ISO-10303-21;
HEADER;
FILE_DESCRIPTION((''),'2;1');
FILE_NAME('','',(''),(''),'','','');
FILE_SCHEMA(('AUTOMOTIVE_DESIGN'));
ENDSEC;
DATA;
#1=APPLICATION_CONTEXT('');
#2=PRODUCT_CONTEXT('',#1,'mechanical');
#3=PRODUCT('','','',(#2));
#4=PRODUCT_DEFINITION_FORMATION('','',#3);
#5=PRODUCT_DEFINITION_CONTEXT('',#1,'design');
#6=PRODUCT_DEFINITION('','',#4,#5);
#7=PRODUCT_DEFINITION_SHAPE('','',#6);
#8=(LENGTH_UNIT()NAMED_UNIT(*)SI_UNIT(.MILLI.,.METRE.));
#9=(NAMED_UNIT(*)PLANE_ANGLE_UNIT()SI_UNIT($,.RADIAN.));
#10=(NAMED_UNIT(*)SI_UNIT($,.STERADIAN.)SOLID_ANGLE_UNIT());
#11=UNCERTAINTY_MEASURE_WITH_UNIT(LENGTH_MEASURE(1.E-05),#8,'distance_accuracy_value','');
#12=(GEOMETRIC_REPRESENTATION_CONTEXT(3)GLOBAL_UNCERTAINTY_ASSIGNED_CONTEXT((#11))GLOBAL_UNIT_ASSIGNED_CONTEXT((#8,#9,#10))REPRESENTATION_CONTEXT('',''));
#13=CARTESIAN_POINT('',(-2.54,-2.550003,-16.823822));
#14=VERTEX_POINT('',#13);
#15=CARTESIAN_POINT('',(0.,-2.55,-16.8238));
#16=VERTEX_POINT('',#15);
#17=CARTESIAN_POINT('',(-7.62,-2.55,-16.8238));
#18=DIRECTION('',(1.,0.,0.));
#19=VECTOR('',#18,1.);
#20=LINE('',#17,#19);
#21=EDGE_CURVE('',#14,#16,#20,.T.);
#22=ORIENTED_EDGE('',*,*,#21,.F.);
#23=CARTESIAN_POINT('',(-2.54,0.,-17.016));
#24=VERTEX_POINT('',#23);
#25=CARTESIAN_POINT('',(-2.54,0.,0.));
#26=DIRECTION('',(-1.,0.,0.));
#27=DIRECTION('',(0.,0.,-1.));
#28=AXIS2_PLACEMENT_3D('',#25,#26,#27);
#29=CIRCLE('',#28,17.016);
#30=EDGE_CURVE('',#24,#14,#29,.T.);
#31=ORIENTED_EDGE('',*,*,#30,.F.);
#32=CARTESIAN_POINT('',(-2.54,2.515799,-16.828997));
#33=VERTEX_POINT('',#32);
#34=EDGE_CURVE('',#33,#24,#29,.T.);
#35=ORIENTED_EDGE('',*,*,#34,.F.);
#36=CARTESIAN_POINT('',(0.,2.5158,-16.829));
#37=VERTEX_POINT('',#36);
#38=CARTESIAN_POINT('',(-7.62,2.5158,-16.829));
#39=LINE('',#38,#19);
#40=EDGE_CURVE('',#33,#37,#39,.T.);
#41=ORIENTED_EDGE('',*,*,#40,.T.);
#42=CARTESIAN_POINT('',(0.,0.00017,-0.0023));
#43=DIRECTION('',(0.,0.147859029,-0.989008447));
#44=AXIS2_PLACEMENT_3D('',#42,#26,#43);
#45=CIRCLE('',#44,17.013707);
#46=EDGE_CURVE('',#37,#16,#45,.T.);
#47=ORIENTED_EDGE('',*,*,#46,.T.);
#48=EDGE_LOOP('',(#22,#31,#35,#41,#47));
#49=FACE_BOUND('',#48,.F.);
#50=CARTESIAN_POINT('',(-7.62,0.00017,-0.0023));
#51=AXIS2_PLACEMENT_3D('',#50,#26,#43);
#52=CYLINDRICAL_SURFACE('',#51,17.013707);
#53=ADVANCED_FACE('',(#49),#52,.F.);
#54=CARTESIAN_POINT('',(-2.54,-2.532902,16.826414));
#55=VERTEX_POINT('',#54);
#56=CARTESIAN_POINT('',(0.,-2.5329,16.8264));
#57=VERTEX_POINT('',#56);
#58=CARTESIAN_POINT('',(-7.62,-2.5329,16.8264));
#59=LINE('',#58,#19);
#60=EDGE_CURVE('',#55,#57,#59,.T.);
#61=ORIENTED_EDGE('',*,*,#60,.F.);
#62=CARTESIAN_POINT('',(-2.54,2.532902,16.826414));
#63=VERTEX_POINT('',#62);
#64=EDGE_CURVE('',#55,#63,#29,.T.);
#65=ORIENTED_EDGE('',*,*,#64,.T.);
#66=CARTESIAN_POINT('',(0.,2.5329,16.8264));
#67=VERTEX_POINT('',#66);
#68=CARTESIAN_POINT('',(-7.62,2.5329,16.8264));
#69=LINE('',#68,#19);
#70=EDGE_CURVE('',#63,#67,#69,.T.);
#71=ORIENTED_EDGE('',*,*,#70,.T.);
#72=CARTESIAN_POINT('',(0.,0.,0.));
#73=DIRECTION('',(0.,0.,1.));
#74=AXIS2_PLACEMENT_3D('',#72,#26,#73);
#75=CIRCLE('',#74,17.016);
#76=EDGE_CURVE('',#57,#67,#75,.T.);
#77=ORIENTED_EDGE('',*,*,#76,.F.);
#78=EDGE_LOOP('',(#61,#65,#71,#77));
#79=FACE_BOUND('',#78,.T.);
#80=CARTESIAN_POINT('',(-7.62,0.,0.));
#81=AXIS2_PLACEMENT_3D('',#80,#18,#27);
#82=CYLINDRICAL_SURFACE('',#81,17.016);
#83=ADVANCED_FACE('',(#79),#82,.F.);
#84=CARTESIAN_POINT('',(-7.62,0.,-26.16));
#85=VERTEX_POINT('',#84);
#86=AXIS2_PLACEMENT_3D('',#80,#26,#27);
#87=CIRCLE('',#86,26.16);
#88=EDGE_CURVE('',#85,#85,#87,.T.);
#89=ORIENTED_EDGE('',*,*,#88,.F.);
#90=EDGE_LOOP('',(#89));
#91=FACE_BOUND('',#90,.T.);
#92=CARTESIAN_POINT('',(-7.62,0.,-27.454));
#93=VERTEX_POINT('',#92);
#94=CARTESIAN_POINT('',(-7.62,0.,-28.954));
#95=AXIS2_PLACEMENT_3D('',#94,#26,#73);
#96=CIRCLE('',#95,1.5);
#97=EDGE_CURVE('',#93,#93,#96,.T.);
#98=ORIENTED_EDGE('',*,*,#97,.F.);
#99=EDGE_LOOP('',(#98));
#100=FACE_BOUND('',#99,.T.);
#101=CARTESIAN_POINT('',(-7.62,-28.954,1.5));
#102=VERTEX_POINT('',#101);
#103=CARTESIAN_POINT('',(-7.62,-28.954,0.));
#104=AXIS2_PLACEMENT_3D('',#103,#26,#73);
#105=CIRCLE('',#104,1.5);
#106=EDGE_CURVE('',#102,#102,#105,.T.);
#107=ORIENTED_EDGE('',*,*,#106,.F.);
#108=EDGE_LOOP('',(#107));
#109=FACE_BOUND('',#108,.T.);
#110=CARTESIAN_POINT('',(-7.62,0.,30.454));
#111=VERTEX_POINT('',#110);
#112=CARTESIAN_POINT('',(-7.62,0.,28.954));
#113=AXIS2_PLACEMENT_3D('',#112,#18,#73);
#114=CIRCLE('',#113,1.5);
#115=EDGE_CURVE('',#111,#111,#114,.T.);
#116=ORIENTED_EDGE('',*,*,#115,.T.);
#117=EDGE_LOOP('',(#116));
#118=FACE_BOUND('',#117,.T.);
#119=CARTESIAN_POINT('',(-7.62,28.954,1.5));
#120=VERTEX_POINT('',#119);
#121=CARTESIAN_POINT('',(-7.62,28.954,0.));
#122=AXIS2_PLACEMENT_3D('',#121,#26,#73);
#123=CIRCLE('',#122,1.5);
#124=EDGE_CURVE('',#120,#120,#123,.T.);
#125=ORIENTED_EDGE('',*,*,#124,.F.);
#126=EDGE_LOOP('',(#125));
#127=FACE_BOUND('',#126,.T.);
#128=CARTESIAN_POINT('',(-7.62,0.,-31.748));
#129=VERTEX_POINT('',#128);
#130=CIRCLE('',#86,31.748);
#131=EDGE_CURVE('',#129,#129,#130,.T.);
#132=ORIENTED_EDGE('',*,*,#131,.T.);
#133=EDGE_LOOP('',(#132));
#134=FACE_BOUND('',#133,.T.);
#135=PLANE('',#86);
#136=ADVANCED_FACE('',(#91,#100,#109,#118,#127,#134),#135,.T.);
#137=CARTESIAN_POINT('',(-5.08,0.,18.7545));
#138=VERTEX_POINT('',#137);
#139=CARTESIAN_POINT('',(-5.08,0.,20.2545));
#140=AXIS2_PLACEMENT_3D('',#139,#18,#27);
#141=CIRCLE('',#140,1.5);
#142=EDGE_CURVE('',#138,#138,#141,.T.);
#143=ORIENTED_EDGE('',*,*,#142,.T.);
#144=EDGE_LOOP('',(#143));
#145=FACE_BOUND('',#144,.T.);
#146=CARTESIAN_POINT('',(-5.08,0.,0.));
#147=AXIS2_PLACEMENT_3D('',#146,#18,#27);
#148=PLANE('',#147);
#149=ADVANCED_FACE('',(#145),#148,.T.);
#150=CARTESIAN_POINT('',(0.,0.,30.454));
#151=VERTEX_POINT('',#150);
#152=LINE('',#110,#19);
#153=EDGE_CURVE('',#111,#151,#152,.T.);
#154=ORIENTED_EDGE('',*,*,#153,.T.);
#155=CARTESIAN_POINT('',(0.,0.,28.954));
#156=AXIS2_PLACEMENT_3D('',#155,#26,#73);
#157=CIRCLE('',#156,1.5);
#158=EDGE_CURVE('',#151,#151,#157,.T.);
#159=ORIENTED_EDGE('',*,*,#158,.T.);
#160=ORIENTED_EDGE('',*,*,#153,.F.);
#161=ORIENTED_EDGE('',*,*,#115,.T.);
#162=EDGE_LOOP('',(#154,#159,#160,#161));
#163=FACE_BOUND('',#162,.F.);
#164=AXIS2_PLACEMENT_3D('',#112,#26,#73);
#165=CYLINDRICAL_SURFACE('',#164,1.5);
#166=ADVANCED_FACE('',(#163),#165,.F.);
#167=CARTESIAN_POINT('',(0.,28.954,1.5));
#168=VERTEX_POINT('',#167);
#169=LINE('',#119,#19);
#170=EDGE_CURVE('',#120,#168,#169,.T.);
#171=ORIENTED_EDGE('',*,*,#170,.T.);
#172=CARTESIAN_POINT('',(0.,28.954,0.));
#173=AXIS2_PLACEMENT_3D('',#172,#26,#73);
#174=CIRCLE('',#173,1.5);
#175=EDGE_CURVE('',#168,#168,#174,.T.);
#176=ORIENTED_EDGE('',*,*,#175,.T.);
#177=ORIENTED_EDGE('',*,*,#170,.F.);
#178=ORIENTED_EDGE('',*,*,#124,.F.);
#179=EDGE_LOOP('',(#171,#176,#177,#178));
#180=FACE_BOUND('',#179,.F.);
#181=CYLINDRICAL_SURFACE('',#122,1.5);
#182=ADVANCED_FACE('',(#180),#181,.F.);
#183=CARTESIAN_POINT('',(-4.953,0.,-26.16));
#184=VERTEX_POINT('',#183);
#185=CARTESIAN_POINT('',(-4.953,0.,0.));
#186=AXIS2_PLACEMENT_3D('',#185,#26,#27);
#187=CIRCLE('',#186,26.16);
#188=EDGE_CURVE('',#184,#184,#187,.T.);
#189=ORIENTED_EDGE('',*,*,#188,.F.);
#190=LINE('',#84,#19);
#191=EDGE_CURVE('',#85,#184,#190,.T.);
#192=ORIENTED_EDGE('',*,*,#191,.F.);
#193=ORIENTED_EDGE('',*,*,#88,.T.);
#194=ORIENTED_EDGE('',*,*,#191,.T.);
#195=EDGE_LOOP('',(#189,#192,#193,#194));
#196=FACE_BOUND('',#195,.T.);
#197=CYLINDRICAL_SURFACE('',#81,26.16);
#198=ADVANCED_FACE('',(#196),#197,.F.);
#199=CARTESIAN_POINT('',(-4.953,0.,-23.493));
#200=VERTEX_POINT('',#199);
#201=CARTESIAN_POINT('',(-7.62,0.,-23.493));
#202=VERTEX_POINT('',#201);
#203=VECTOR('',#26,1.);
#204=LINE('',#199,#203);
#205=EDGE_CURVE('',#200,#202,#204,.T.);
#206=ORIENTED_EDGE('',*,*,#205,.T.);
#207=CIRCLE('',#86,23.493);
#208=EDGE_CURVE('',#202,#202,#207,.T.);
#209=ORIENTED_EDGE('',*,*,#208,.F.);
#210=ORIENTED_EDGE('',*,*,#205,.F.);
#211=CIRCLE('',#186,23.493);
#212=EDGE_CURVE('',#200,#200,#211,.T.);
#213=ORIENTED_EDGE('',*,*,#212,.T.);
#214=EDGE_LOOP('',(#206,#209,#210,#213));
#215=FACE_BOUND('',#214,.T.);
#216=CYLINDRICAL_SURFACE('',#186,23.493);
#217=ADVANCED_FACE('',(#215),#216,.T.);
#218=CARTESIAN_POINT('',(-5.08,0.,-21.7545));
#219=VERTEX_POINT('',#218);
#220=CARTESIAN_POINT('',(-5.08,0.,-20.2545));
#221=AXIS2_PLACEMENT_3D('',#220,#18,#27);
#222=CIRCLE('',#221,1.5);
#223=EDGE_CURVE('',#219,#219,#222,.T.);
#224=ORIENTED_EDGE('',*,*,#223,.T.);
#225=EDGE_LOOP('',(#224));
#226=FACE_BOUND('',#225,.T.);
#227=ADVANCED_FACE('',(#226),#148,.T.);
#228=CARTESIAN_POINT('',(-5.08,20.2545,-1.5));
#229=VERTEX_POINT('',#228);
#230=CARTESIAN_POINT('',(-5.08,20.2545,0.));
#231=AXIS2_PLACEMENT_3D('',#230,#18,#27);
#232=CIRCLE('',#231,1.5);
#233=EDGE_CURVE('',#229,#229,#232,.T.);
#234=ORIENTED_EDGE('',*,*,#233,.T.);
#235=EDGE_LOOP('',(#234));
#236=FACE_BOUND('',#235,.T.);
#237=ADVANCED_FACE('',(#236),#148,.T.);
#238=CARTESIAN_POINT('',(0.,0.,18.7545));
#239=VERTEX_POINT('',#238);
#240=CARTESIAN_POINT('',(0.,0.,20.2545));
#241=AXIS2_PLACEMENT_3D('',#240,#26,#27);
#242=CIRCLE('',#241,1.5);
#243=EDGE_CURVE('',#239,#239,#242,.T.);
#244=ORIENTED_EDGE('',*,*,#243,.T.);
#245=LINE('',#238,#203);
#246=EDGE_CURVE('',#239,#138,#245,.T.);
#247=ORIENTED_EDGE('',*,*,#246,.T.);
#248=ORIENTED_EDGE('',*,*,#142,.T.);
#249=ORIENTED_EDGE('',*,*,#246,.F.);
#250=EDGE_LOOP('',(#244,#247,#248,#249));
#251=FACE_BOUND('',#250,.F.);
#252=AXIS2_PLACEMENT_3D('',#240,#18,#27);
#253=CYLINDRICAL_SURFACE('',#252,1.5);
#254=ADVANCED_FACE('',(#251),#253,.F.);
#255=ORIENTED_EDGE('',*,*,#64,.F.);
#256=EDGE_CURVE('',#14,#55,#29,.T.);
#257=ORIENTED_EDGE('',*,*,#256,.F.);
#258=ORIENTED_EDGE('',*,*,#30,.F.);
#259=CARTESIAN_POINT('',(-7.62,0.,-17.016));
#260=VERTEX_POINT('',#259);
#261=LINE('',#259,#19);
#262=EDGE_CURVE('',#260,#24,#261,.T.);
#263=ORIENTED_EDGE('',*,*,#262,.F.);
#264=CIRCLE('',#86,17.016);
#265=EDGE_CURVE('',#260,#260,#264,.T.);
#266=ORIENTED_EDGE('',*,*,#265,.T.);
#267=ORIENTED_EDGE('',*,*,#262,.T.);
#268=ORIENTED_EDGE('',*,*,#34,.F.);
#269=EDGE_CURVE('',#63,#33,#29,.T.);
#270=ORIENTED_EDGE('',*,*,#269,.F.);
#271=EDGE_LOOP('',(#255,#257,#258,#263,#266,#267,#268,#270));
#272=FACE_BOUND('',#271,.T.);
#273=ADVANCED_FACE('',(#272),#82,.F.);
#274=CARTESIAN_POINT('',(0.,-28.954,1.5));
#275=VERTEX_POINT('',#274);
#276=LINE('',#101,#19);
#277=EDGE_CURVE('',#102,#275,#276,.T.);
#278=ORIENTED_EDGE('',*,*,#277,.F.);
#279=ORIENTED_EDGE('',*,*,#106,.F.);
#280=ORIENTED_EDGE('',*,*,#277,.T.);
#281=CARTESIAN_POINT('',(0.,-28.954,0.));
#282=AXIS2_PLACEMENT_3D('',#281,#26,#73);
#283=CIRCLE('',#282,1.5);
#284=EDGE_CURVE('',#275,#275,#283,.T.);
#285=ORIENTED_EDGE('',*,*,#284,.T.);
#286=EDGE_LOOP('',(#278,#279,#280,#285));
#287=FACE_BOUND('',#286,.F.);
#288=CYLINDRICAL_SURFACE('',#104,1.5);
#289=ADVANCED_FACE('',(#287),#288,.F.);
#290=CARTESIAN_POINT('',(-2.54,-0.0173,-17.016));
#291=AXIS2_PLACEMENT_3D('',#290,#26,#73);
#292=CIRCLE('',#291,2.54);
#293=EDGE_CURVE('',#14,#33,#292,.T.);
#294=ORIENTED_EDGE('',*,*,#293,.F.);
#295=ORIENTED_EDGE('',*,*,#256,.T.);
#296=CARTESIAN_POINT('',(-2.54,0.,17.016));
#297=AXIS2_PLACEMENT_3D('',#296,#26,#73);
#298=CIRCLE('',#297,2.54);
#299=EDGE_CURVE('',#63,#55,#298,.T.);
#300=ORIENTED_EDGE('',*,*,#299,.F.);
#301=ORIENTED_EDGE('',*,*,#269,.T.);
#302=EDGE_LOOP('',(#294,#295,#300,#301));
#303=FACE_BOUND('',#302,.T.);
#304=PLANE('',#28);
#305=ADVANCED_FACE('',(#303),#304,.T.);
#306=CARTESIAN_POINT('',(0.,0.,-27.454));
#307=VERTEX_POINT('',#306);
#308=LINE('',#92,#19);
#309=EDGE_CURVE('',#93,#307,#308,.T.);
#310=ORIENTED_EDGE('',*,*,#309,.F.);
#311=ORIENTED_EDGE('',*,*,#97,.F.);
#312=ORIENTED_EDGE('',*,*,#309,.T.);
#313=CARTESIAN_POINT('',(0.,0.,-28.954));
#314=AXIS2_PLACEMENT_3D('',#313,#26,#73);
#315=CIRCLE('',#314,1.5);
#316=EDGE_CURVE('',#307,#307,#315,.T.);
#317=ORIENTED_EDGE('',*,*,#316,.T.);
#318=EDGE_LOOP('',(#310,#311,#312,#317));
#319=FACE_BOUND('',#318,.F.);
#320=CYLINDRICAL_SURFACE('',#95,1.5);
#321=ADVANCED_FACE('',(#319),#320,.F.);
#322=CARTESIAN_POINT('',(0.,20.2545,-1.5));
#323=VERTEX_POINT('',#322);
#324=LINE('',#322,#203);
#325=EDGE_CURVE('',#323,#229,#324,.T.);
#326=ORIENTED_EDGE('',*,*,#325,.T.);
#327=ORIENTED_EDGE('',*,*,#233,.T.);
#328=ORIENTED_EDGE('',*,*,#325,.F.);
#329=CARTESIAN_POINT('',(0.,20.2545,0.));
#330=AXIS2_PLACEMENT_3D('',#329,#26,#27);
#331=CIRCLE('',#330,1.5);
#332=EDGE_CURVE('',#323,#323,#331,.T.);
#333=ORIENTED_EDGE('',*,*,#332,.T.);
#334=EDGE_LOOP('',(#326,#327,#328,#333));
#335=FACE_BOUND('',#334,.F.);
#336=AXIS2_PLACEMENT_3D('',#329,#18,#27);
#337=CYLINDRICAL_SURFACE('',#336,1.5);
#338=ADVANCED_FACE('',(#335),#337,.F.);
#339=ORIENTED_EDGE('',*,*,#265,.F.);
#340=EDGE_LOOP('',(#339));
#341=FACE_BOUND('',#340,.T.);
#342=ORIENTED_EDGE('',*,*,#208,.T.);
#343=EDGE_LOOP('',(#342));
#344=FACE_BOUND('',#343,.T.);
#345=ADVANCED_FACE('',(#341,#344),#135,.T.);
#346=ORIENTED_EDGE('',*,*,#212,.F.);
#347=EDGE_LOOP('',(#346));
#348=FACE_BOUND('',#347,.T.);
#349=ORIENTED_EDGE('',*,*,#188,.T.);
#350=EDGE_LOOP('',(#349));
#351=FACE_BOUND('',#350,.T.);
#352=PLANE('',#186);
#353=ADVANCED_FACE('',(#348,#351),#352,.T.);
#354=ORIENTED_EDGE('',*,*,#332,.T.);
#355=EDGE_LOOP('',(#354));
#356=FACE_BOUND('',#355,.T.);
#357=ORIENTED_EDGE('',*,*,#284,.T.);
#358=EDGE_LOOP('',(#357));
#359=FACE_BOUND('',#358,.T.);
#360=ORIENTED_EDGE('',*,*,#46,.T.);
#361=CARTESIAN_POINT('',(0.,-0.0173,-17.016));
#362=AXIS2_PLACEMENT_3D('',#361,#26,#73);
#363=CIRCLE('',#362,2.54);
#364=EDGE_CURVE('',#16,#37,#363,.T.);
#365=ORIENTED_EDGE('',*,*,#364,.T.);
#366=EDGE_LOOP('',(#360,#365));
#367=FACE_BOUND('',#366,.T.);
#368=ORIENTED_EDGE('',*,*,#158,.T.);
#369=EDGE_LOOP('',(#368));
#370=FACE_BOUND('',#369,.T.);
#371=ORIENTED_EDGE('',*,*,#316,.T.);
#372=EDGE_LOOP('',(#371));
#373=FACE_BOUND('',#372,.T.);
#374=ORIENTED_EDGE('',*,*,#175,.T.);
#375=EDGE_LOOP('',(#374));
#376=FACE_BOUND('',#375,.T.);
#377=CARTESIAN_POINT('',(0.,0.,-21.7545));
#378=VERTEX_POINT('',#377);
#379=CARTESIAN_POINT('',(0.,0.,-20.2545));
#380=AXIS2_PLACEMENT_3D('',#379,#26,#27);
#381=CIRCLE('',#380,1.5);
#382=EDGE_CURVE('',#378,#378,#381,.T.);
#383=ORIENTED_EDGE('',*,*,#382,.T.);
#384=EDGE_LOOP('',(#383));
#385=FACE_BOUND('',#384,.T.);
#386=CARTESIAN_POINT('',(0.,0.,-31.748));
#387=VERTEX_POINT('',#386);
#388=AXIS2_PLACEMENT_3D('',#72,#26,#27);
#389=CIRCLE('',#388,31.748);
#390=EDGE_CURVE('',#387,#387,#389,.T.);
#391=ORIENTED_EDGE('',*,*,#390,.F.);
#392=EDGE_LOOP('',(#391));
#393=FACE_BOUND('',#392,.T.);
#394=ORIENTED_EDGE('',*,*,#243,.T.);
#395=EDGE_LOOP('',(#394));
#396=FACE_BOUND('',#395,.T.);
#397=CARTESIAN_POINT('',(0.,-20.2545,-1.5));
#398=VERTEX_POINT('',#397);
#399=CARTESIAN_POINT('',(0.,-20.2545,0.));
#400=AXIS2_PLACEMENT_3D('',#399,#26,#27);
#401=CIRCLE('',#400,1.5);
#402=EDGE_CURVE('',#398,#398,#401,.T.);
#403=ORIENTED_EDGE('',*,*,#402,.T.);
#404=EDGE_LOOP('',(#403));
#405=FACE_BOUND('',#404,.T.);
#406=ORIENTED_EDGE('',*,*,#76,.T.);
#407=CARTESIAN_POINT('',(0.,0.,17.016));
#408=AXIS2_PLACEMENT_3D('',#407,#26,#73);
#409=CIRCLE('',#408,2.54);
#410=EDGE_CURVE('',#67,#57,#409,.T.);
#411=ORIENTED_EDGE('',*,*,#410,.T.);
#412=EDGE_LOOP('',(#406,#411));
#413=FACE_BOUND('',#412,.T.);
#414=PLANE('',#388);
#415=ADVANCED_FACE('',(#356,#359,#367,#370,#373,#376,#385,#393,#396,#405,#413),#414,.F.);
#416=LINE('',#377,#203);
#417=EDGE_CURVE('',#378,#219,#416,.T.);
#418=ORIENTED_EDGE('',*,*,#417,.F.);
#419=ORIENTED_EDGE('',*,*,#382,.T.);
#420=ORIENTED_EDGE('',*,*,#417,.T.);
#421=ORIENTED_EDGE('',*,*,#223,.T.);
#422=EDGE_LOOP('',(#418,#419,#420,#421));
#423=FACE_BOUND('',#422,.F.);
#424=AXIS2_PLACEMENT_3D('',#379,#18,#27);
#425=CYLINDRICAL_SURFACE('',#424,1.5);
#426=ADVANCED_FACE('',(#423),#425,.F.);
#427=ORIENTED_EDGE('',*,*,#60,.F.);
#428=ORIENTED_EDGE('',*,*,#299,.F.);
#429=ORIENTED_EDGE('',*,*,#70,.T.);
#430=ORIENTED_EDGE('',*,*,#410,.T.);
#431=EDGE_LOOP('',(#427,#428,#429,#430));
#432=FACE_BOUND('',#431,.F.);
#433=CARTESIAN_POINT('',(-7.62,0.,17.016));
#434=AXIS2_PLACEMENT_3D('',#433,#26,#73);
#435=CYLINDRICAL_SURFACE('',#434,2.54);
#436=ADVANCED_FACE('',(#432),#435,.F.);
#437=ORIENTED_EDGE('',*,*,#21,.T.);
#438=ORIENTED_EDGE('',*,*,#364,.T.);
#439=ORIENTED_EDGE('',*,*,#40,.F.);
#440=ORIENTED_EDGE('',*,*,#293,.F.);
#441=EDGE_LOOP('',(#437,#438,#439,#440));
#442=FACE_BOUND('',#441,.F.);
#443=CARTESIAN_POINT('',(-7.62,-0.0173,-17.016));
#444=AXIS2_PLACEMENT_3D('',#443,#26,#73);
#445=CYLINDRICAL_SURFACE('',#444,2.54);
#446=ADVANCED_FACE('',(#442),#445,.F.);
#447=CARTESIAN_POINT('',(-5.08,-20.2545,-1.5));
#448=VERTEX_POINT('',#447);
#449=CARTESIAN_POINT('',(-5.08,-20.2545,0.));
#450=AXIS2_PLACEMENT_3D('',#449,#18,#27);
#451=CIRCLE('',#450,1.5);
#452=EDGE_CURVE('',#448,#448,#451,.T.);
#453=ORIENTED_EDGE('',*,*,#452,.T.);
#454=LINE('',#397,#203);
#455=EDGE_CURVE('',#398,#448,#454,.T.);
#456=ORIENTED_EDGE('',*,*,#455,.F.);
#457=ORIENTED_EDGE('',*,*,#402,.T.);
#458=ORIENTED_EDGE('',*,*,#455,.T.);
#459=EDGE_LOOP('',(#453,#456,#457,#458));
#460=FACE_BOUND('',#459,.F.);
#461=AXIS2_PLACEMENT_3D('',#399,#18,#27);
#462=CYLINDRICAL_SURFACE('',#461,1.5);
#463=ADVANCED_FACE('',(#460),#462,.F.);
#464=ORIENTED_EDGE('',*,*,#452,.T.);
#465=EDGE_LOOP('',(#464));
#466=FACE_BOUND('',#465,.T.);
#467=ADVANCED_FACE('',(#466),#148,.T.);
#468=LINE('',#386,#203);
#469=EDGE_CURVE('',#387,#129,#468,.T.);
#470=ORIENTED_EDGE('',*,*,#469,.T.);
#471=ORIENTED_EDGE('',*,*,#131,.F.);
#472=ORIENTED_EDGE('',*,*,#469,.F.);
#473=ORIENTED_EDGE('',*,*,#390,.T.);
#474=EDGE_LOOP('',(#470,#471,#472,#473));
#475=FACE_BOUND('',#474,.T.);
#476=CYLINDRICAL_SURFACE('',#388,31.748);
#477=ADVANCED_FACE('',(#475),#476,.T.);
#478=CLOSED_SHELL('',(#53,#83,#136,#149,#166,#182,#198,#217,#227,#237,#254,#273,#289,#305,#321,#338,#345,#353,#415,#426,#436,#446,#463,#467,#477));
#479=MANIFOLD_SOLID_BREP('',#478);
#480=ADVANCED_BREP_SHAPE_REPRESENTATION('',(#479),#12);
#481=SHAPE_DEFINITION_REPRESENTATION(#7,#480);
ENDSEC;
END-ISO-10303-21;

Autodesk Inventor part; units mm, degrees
ref_plane "YZ Plane" through (0, 0, 0) normal (1, 0, 0) x (0, 1, 0)
ref_plane "XZ Plane" through (0, 0, 0) normal (0, 1, 0) x (-1, 0, 0)
ref_plane "XY Plane" through (0, 0, 0) normal (0, 0, 1) x (1, 0, 0)
sketch "Sketch1" plane through (0, 0, 0) normal (0, 1, 0) x (-1, 0, 0)
  line L0 (0, 0) -> (0, -31.748)
  line L1 (0, -31.748) -> (7.62, -31.748)
  line L2 (7.62, -31.748) -> (7.62, -26.16)
  line L3 (7.62, -26.16) -> (4.953, -26.16)
  line L4 (4.953, -26.16) -> (4.953, -23.493)
  line L5 (4.953, -23.493) -> (7.62, -23.493)
  line L6 (7.62, -23.493) -> (7.62, -17.016)
  line L7 (7.62, -17.016) -> (2.54, -17.016)
  line L8 (2.54, -17.016) -> (2.54, 0)
  line L9 (0, 0) -> (2.54, 0)
  dimension "d0" = 31.748
  dimension "d1" = 7.62
  dimension "d2" = 5.588
  dimension "d3" = 2.667
  dimension "d4" = 2.667
  dimension "d5" = 6.477
  dimension "d6" = 5.08
  dimension "d7" = 2.54
revolve "Revolution1" add sketch "Sketch1" angle 360 about axis through (0, 0, 0) along (-1, 0, 0)
sketch "Sketch2" plane through (-7.62, 0, 0) normal (-1, 0, 0) x (0, 0, 1)
  circle A0 centre (28.954, 0) radius 1.5
  circle A1 centre (0, 0) radius 31.748 projected
  line L0 (31.748, 0) -> (26.16, 0)
  circle A2 centre (0, 0) radius 26.16 projected
  circle A3 centre (0, 28.954) radius 1.5
  circle A4 centre (-28.954, 0) radius 1.5
  circle A5 centre (0, -28.954) radius 1.5
  dimension "d9" = 3
  dimension "d12" = 360
extrude "Extrusion1" cut sketch "Sketch2" against normal blind 12.7 contours L0 A0 | A0 L0 | A3 | A4 | A5
sketch "Sketch3" plane through (0, 0, 0) normal (1, 0, 0) x (0, 0, -1)
  circle A0 centre (0, 0) radius 23.493 projected
  circle A1 centre (0, 0) radius 20.2545
  circle A2 centre (20.2545, 0) radius 1.5
  circle A3 centre (0, 20.2545) radius 1.5
  circle A4 centre (-20.2545, 0) radius 1.5
  circle A5 centre (0, -20.2545) radius 1.5
  dimension "d17" = 3.2385
  dimension "d18" = 3
  dimension "d21" = 360
sketch "Sketch4" plane through (-7.62, 0, 0) normal (-1, 0, 0) x (0, 0, 1)
  circle A0 centre (0, 0) radius 17.016 projected
  circle A1 centre (0, 0) radius 23.493 projected
  dimension "d16" = 6.477
extrude "Extrusion2" cut sketch "Sketch3" against normal blind 5.08 contours A1 A2 | A1 A2 | A3 A1 | A1 A3 | A5 A1 | A1 A5 | A4 A1 | A1 A4
sketch "Sketch5" plane through (-2.54, 0, 0) normal (-1, 0, 0) x (0, 0, 1)
  circle A0 centre (0, 0) radius 17.016 projected
  line L0 (-17.016, 0) -> (17.016, 0)
  line L1 (-14.478, -9.9949) -> (14.478, -9.9949)
  line L2 (-14.478, 9.9949) -> (14.478, 9.9949)
  line L3 (14.478, 9.9949) -> (14.478, -9.9949)
  line L4 (-14.478, 9.9949) -> (-14.478, -9.9949)
  arc A1 (16.8267, -2.5309) -> (16.8267, 2.5309) centre (0, 0) ccw
  point P0 (0, 9.9949)
  point P1 (14.478, 0)
  dimension "d25" = 28.956
  dimension "d26" = 19.9898
sketch "Sketch6" plane through (-7.62, 0, 0) normal (-1, 0, 0) x (0, 0, 1)
  circle A0 centre (0, 0) radius 17.016 projected
  circle A1 centre (17.016, 0) radius 2.54
  arc A2 (16.8264, -2.5329) -> (16.8264, 2.5329) centre (0, 0) ccw
  circle A3 centre (-17.016, -0.0173) radius 2.54
  arc A4 (-16.829, 2.5158) -> (-16.8238, -2.55) centre (0, 0) ccw
  dimension "d27" = 5.08
  dimension "d28" = 5.08
extrude "Extrusion3" cut sketch "Sketch6" against normal blind 12.7 contours A0 A1 | A3 A0 picked at (16.1885, -0.4913) picked at (-16.1553, -0.0173)
sketch "Sketch7" plane through (-2.54, 0, 17.016) normal (-1, 0, 0) x (0, 0, 1)
  circle A0 centre (-25.6012, 5.588) radius 1.8288
  circle A1 centre (-8.4308, 5.588) radius 1.8288
  arc A2 (-33.8398, -2.55) -> (-33.8449, 2.5158) centre (-34.0319, -0.0173) ccw projected
  line L0 (-31.4919, -0.0173) -> (-2.4894, -0.0173) construction
  line L1 (-25.6012, 5.588) -> (-8.4308, 5.588)
  circle A3 centre (-25.6012, 5.588) radius 1.8288
  circle A4 centre (-8.4308, 5.588) radius 1.8288
  point P0 (-17.016, 0)
  point P1 (-17.016, 5.588)
  dimension "d31" = 3.6576
  dimension "d32" = 3.6576
  dimension "d33" = 13.5128
  dimension "d34" = 5.588
equation "\"d28\" = d27"
equation "\"d32\" = d31"
